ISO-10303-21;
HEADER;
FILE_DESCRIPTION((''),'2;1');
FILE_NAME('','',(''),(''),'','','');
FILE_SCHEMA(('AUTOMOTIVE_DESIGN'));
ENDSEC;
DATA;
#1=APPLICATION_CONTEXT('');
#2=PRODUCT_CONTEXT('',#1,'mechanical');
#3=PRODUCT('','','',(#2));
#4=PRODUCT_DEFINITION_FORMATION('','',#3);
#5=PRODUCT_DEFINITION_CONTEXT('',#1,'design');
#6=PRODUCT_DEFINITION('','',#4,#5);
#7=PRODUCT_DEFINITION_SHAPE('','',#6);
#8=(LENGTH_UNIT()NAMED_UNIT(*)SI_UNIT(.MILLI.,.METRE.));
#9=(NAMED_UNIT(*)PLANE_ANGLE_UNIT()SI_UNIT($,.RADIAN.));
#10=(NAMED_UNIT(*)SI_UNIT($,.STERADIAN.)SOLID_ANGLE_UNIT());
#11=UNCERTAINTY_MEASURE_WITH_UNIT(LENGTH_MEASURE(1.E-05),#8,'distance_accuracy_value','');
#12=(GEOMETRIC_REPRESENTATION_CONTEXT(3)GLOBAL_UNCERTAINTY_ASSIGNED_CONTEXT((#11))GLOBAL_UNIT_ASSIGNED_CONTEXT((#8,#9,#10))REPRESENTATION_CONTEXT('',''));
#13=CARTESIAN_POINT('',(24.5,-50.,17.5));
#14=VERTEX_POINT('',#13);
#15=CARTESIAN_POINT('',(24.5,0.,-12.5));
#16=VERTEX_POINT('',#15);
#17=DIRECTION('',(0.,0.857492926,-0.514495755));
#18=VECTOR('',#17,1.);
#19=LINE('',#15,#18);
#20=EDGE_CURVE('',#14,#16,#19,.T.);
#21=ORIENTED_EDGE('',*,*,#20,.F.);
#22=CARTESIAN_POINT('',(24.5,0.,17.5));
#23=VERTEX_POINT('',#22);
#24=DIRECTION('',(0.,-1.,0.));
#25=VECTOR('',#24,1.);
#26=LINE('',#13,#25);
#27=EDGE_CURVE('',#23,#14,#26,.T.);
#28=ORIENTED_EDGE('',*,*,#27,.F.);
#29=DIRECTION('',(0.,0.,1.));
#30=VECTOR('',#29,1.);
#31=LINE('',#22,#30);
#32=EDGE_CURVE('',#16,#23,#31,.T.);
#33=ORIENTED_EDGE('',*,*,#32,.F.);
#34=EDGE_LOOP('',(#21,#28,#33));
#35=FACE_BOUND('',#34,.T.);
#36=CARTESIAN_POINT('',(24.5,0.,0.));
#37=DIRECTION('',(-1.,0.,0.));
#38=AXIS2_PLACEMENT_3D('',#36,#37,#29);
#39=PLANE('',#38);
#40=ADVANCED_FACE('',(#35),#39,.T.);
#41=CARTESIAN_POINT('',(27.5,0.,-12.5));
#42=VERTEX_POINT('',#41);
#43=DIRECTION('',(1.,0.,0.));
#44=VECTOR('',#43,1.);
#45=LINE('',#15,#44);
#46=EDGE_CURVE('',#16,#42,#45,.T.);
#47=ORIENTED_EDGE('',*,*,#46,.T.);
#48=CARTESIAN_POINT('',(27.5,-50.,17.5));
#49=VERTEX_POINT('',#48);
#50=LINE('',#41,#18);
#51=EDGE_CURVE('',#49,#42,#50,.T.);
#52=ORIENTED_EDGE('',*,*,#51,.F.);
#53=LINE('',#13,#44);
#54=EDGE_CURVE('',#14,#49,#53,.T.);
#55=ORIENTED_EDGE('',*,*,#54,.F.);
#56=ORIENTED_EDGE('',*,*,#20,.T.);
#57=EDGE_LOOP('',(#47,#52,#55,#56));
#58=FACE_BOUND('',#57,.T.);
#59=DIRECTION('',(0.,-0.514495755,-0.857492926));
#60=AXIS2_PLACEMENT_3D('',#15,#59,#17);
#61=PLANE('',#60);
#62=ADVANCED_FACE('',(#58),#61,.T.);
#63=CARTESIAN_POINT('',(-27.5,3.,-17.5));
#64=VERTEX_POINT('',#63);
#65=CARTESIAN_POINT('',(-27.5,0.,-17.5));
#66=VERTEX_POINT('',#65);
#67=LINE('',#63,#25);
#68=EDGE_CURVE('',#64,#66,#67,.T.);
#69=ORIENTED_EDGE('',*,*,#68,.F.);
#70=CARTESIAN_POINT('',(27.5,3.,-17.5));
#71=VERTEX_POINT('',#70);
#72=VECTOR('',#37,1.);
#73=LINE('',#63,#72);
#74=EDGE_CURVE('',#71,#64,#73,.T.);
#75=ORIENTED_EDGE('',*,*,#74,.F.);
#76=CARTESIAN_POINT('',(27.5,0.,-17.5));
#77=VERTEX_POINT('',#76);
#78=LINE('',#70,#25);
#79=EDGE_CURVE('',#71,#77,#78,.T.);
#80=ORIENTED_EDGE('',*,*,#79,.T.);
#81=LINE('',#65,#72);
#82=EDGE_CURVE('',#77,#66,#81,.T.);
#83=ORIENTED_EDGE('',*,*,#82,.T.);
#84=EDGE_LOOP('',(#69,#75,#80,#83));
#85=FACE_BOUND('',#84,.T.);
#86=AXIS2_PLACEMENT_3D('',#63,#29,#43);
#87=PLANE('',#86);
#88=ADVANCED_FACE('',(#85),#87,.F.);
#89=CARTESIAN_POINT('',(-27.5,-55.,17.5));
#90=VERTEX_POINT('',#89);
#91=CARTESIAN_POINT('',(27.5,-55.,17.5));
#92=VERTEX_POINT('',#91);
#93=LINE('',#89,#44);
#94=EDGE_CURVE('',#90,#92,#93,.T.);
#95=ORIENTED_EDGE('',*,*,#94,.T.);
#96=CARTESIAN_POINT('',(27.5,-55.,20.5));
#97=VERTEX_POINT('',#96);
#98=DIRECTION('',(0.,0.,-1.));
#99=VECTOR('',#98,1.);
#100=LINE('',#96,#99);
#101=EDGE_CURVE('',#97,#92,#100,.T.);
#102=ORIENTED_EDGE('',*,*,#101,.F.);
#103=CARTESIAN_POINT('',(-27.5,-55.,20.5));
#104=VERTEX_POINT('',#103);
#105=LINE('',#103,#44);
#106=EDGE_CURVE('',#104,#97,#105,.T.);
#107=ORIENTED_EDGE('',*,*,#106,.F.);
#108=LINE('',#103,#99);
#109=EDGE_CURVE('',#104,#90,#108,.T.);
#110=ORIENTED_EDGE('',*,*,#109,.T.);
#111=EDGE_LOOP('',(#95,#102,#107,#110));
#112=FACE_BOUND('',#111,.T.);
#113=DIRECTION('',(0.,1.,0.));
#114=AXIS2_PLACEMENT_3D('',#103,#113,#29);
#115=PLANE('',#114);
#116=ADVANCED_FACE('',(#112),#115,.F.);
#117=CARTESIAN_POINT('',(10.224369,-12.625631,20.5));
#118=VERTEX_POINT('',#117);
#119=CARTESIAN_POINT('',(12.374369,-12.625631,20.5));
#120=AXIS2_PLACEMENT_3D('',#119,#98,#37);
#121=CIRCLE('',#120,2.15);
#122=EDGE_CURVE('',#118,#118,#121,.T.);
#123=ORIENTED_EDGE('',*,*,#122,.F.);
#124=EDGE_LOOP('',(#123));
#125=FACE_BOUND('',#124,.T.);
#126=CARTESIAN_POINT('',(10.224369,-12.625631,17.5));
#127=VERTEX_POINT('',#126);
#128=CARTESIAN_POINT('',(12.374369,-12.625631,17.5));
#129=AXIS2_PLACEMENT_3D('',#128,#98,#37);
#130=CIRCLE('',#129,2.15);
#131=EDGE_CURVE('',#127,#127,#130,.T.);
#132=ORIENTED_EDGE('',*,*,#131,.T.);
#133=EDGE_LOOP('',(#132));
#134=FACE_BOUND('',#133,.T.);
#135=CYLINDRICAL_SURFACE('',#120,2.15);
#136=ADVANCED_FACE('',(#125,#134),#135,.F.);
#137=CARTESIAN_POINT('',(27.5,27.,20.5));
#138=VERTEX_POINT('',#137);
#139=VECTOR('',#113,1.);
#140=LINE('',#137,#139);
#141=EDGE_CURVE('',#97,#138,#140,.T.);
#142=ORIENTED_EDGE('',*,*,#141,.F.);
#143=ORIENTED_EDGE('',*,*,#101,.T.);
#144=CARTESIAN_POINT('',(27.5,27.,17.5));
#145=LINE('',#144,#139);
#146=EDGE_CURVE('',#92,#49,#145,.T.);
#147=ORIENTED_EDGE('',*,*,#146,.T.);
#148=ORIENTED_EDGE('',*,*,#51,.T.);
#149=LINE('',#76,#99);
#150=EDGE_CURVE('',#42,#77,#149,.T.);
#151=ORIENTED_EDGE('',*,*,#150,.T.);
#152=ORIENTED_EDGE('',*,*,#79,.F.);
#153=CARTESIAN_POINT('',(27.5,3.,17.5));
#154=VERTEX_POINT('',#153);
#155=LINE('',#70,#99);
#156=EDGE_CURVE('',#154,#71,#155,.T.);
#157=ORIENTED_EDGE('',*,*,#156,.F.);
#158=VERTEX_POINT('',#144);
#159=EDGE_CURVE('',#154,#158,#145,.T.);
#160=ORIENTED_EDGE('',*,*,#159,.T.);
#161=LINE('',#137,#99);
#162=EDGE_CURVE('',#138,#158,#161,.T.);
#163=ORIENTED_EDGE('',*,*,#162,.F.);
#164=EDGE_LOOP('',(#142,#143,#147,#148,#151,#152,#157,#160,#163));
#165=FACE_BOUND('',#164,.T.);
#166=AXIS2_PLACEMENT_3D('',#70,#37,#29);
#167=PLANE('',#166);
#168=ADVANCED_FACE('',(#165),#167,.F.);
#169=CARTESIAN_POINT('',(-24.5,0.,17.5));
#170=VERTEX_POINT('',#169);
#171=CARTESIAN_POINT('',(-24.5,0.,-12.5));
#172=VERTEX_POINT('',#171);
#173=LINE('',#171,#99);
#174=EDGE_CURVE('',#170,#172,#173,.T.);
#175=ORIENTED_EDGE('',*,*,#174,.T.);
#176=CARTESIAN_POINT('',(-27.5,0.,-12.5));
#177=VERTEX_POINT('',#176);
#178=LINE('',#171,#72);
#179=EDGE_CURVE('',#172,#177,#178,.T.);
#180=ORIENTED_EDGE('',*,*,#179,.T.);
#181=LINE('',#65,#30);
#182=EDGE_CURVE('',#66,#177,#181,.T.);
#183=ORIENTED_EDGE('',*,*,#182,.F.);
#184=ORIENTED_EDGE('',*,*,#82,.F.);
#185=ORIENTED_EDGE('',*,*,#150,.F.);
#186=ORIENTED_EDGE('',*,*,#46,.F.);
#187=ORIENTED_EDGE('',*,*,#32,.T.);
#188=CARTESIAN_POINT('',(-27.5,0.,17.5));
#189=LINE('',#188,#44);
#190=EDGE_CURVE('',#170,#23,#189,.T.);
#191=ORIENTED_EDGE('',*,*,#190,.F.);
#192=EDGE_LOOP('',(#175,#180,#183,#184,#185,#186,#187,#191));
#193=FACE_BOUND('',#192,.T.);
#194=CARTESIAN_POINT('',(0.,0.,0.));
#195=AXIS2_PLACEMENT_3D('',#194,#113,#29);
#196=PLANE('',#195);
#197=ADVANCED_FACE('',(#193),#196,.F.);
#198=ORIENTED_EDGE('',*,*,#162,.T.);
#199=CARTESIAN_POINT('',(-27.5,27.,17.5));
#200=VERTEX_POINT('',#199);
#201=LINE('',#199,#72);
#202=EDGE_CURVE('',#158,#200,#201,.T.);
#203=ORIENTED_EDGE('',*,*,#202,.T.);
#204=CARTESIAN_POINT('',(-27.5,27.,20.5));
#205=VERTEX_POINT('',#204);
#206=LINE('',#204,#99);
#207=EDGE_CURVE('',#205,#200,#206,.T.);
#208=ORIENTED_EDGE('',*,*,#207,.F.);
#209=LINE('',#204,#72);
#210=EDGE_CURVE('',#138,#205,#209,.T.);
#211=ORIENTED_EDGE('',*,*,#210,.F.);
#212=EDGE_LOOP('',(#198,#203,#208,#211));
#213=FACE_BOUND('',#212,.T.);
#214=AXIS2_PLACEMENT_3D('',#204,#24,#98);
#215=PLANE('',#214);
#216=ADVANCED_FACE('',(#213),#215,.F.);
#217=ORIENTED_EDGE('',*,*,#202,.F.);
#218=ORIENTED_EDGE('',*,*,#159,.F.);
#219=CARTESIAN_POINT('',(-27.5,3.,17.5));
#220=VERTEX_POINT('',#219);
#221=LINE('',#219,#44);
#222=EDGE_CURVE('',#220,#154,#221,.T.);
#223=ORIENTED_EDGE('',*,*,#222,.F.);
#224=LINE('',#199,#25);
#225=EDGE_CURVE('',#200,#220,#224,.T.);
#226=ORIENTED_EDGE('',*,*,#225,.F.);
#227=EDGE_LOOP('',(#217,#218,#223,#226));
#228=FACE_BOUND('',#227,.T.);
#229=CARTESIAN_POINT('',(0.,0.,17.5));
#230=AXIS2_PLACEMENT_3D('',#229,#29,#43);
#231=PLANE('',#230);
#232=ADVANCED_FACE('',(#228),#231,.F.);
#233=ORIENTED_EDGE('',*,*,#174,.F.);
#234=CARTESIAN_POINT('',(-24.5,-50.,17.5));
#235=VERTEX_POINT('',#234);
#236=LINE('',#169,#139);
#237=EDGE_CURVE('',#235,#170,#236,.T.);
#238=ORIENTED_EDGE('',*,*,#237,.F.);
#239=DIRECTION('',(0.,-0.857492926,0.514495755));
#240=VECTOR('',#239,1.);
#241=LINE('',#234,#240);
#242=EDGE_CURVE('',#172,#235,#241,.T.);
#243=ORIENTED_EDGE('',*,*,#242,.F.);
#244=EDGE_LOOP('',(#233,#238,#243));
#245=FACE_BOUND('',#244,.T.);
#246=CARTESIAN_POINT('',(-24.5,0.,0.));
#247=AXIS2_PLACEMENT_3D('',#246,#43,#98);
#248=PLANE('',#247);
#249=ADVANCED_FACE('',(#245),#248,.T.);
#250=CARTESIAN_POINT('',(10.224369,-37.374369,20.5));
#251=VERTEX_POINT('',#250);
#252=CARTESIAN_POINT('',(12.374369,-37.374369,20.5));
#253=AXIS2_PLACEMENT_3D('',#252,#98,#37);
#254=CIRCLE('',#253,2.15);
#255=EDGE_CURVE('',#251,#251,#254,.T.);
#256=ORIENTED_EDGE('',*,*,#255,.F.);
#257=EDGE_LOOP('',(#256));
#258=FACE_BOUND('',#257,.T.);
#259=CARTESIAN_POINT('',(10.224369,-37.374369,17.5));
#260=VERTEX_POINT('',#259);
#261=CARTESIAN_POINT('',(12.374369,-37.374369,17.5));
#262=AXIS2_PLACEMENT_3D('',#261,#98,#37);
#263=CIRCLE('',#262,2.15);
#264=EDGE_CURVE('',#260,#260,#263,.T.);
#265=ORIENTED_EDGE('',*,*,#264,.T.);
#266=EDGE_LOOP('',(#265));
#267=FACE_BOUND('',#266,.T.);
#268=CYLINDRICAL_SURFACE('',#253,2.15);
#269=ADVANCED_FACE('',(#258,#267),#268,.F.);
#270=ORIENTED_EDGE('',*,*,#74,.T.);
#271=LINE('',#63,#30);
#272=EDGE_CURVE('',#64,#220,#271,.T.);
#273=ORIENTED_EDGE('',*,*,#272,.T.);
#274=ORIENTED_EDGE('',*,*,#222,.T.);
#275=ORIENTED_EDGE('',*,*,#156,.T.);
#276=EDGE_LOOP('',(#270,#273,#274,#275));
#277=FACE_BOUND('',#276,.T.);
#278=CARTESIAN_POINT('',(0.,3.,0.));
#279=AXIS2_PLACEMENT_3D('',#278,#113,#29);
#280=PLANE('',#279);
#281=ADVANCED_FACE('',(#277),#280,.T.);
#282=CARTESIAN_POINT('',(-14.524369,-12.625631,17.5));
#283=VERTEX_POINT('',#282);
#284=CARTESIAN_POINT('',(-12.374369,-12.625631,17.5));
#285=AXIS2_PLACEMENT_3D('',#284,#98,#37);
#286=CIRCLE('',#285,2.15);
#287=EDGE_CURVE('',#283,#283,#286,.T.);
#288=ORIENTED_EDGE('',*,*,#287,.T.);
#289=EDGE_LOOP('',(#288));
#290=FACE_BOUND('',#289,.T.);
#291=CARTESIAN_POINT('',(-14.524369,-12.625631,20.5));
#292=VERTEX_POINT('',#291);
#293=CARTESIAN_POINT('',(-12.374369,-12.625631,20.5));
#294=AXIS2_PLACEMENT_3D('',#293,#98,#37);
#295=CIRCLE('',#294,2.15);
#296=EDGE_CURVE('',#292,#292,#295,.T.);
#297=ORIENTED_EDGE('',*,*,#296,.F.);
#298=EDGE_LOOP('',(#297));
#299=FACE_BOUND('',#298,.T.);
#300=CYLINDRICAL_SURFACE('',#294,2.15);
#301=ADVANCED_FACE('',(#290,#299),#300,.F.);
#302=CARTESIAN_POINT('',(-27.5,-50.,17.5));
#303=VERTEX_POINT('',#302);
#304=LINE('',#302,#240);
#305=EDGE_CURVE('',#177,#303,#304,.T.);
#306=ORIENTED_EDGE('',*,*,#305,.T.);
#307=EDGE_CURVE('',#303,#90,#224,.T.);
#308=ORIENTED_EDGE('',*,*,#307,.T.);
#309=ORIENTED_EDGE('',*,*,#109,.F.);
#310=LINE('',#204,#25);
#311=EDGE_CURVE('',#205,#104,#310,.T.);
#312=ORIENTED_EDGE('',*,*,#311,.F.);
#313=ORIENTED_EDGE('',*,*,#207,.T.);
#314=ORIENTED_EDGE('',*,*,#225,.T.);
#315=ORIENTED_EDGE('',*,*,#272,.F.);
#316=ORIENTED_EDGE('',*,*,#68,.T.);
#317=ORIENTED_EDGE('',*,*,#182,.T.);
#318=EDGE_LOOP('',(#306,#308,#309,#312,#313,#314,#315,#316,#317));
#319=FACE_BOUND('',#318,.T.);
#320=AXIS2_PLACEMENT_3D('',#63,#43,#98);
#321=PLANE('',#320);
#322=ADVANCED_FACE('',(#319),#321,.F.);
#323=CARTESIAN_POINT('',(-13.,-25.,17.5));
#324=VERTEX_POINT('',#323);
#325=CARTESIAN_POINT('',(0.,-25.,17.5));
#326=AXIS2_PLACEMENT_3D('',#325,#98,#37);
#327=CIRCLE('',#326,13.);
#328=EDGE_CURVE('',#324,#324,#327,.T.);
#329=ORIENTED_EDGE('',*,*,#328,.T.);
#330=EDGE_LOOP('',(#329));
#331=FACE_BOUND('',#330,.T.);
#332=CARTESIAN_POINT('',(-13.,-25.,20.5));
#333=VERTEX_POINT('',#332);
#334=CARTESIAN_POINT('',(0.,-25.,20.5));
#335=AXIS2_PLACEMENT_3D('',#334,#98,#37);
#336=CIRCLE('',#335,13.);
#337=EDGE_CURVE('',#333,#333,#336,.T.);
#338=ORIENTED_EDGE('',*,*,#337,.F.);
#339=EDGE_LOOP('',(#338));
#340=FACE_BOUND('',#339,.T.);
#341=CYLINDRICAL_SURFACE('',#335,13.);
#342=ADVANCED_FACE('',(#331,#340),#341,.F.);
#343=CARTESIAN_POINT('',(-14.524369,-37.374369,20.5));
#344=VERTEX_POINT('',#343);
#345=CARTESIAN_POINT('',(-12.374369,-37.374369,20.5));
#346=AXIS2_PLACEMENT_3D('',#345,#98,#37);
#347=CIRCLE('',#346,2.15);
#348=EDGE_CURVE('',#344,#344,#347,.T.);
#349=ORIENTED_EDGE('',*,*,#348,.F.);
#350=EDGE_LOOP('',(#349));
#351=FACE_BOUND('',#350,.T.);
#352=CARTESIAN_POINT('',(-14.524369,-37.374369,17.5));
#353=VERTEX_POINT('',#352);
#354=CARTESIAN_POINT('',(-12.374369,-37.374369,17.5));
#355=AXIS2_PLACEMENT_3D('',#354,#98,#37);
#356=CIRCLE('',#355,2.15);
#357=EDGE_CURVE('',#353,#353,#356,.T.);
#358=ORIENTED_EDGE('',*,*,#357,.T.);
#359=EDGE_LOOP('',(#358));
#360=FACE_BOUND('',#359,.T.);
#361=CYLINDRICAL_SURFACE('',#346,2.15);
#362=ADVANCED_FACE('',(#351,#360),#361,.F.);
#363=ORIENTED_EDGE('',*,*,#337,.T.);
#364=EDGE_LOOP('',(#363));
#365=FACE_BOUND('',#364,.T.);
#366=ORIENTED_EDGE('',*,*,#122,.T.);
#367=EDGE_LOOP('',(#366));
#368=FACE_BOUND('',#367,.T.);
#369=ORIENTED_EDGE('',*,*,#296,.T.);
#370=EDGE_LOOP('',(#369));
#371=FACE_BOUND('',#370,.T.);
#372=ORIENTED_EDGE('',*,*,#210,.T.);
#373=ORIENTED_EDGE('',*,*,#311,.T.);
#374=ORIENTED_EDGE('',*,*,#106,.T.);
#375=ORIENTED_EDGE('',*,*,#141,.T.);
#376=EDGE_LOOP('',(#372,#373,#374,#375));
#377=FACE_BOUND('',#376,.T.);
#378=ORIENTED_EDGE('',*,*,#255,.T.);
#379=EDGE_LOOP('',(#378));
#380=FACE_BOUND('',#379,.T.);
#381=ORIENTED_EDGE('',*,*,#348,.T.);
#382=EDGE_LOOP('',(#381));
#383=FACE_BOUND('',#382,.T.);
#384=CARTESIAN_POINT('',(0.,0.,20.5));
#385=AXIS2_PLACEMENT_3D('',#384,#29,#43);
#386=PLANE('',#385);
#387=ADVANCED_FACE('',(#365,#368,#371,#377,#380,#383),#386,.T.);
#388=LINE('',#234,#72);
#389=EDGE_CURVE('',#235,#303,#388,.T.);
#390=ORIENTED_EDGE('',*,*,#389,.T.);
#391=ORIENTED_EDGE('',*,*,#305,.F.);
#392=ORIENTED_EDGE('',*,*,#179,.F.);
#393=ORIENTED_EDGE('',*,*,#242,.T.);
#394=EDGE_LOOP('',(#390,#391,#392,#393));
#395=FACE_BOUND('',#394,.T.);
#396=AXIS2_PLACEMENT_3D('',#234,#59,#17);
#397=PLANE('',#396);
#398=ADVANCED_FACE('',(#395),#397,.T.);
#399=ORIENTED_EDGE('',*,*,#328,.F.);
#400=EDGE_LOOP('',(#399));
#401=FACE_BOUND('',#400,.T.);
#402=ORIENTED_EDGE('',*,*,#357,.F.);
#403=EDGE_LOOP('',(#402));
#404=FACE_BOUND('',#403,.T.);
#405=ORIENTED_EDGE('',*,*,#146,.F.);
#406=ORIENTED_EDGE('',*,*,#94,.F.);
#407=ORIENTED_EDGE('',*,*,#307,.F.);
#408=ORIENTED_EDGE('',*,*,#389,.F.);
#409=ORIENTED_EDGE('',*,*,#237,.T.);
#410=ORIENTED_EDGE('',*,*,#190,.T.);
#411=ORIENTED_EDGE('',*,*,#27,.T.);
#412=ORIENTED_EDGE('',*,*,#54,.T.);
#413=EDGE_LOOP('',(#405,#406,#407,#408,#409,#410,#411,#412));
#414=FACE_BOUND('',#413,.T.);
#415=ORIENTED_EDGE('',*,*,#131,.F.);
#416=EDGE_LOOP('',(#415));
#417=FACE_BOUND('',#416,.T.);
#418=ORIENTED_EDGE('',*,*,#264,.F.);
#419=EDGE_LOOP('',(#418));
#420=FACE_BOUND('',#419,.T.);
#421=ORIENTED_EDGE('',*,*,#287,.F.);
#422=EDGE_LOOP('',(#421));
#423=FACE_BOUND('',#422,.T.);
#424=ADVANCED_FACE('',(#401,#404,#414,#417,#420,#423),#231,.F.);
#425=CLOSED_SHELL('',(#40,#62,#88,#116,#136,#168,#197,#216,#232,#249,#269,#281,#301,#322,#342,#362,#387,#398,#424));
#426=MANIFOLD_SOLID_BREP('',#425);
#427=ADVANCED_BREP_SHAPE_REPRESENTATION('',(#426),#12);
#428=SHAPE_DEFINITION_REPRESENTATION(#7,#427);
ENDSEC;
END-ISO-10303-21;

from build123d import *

# Parameters (mm, degrees)
SKETCH1_W           = 55
SKETCH1_H           = 35
BOSS_EXTRUDE1_DEPTH = 3
SKETCH2_W           = 55
SKETCH2_H           = 82
BOSS_EXTRUDE2_DEPTH = 3
BOSS_EXTRUDE3_DEPTH = 3
BOSS_EXTRUDE4_DEPTH = 3
SKETCH5_R           = 13
SKETCH5_R_2         = 2.15
CUT_EXTRUDE1_DEPTH  = 3


with BuildPart() as part:
    # Sketch1 → Boss-Extrude1 (new body)
    with BuildSketch(Plane(origin=(0, 0, 0), x_dir=(1, 0, 0), z_dir=(0, 1, 0))):
        Rectangle(SKETCH1_W, SKETCH1_H)
    extrude(amount=BOSS_EXTRUDE1_DEPTH)

    # Sketch2 → Boss-Extrude2 (add)
    with BuildSketch(Plane.XY.offset(17.5)):
        with Locations((0, -14)):
            Rectangle(SKETCH2_W, SKETCH2_H)
    extrude(amount=BOSS_EXTRUDE2_DEPTH)

    # Sketch3 → Boss-Extrude3 (add)
    with BuildSketch(Plane(origin=(27.5, 0, 0), x_dir=(0, 0, -1), z_dir=(1, 0, 0))):
        Polygon((-17.5, 0), (12.5, 0), (-17.5, -50), align=None)
    extrude(amount=-BOSS_EXTRUDE3_DEPTH)

    # Sketch4 → Boss-Extrude4 (add)
    with BuildSketch(Plane.ZY.offset(27.5)):
        Polygon((-12.5, 0), (17.5, 0), (17.5, -50), align=None)
    extrude(amount=-BOSS_EXTRUDE4_DEPTH)

    # Sketch5 → Cut-Extrude1 (cut)
    with BuildSketch(Plane(origin=(0, 0, 17.5), x_dir=(-1, 0, 0), z_dir=(0, 0, -1))):
        with Locations((0, -25)):
            Circle(SKETCH5_R)
        with Locations((12.374368671, -12.625631329)):
            Circle(SKETCH5_R_2)
        with Locations((12.374368671, -37.374368671)):
            Circle(SKETCH5_R_2)
        with Locations((-12.374368671, -37.374368671)):
            Circle(SKETCH5_R_2)
        with Locations((-12.374368671, -12.625631329)):
            Circle(SKETCH5_R_2)
    extrude(amount=-CUT_EXTRUDE1_DEPTH, mode=Mode.SUBTRACT)


solid = part.part
